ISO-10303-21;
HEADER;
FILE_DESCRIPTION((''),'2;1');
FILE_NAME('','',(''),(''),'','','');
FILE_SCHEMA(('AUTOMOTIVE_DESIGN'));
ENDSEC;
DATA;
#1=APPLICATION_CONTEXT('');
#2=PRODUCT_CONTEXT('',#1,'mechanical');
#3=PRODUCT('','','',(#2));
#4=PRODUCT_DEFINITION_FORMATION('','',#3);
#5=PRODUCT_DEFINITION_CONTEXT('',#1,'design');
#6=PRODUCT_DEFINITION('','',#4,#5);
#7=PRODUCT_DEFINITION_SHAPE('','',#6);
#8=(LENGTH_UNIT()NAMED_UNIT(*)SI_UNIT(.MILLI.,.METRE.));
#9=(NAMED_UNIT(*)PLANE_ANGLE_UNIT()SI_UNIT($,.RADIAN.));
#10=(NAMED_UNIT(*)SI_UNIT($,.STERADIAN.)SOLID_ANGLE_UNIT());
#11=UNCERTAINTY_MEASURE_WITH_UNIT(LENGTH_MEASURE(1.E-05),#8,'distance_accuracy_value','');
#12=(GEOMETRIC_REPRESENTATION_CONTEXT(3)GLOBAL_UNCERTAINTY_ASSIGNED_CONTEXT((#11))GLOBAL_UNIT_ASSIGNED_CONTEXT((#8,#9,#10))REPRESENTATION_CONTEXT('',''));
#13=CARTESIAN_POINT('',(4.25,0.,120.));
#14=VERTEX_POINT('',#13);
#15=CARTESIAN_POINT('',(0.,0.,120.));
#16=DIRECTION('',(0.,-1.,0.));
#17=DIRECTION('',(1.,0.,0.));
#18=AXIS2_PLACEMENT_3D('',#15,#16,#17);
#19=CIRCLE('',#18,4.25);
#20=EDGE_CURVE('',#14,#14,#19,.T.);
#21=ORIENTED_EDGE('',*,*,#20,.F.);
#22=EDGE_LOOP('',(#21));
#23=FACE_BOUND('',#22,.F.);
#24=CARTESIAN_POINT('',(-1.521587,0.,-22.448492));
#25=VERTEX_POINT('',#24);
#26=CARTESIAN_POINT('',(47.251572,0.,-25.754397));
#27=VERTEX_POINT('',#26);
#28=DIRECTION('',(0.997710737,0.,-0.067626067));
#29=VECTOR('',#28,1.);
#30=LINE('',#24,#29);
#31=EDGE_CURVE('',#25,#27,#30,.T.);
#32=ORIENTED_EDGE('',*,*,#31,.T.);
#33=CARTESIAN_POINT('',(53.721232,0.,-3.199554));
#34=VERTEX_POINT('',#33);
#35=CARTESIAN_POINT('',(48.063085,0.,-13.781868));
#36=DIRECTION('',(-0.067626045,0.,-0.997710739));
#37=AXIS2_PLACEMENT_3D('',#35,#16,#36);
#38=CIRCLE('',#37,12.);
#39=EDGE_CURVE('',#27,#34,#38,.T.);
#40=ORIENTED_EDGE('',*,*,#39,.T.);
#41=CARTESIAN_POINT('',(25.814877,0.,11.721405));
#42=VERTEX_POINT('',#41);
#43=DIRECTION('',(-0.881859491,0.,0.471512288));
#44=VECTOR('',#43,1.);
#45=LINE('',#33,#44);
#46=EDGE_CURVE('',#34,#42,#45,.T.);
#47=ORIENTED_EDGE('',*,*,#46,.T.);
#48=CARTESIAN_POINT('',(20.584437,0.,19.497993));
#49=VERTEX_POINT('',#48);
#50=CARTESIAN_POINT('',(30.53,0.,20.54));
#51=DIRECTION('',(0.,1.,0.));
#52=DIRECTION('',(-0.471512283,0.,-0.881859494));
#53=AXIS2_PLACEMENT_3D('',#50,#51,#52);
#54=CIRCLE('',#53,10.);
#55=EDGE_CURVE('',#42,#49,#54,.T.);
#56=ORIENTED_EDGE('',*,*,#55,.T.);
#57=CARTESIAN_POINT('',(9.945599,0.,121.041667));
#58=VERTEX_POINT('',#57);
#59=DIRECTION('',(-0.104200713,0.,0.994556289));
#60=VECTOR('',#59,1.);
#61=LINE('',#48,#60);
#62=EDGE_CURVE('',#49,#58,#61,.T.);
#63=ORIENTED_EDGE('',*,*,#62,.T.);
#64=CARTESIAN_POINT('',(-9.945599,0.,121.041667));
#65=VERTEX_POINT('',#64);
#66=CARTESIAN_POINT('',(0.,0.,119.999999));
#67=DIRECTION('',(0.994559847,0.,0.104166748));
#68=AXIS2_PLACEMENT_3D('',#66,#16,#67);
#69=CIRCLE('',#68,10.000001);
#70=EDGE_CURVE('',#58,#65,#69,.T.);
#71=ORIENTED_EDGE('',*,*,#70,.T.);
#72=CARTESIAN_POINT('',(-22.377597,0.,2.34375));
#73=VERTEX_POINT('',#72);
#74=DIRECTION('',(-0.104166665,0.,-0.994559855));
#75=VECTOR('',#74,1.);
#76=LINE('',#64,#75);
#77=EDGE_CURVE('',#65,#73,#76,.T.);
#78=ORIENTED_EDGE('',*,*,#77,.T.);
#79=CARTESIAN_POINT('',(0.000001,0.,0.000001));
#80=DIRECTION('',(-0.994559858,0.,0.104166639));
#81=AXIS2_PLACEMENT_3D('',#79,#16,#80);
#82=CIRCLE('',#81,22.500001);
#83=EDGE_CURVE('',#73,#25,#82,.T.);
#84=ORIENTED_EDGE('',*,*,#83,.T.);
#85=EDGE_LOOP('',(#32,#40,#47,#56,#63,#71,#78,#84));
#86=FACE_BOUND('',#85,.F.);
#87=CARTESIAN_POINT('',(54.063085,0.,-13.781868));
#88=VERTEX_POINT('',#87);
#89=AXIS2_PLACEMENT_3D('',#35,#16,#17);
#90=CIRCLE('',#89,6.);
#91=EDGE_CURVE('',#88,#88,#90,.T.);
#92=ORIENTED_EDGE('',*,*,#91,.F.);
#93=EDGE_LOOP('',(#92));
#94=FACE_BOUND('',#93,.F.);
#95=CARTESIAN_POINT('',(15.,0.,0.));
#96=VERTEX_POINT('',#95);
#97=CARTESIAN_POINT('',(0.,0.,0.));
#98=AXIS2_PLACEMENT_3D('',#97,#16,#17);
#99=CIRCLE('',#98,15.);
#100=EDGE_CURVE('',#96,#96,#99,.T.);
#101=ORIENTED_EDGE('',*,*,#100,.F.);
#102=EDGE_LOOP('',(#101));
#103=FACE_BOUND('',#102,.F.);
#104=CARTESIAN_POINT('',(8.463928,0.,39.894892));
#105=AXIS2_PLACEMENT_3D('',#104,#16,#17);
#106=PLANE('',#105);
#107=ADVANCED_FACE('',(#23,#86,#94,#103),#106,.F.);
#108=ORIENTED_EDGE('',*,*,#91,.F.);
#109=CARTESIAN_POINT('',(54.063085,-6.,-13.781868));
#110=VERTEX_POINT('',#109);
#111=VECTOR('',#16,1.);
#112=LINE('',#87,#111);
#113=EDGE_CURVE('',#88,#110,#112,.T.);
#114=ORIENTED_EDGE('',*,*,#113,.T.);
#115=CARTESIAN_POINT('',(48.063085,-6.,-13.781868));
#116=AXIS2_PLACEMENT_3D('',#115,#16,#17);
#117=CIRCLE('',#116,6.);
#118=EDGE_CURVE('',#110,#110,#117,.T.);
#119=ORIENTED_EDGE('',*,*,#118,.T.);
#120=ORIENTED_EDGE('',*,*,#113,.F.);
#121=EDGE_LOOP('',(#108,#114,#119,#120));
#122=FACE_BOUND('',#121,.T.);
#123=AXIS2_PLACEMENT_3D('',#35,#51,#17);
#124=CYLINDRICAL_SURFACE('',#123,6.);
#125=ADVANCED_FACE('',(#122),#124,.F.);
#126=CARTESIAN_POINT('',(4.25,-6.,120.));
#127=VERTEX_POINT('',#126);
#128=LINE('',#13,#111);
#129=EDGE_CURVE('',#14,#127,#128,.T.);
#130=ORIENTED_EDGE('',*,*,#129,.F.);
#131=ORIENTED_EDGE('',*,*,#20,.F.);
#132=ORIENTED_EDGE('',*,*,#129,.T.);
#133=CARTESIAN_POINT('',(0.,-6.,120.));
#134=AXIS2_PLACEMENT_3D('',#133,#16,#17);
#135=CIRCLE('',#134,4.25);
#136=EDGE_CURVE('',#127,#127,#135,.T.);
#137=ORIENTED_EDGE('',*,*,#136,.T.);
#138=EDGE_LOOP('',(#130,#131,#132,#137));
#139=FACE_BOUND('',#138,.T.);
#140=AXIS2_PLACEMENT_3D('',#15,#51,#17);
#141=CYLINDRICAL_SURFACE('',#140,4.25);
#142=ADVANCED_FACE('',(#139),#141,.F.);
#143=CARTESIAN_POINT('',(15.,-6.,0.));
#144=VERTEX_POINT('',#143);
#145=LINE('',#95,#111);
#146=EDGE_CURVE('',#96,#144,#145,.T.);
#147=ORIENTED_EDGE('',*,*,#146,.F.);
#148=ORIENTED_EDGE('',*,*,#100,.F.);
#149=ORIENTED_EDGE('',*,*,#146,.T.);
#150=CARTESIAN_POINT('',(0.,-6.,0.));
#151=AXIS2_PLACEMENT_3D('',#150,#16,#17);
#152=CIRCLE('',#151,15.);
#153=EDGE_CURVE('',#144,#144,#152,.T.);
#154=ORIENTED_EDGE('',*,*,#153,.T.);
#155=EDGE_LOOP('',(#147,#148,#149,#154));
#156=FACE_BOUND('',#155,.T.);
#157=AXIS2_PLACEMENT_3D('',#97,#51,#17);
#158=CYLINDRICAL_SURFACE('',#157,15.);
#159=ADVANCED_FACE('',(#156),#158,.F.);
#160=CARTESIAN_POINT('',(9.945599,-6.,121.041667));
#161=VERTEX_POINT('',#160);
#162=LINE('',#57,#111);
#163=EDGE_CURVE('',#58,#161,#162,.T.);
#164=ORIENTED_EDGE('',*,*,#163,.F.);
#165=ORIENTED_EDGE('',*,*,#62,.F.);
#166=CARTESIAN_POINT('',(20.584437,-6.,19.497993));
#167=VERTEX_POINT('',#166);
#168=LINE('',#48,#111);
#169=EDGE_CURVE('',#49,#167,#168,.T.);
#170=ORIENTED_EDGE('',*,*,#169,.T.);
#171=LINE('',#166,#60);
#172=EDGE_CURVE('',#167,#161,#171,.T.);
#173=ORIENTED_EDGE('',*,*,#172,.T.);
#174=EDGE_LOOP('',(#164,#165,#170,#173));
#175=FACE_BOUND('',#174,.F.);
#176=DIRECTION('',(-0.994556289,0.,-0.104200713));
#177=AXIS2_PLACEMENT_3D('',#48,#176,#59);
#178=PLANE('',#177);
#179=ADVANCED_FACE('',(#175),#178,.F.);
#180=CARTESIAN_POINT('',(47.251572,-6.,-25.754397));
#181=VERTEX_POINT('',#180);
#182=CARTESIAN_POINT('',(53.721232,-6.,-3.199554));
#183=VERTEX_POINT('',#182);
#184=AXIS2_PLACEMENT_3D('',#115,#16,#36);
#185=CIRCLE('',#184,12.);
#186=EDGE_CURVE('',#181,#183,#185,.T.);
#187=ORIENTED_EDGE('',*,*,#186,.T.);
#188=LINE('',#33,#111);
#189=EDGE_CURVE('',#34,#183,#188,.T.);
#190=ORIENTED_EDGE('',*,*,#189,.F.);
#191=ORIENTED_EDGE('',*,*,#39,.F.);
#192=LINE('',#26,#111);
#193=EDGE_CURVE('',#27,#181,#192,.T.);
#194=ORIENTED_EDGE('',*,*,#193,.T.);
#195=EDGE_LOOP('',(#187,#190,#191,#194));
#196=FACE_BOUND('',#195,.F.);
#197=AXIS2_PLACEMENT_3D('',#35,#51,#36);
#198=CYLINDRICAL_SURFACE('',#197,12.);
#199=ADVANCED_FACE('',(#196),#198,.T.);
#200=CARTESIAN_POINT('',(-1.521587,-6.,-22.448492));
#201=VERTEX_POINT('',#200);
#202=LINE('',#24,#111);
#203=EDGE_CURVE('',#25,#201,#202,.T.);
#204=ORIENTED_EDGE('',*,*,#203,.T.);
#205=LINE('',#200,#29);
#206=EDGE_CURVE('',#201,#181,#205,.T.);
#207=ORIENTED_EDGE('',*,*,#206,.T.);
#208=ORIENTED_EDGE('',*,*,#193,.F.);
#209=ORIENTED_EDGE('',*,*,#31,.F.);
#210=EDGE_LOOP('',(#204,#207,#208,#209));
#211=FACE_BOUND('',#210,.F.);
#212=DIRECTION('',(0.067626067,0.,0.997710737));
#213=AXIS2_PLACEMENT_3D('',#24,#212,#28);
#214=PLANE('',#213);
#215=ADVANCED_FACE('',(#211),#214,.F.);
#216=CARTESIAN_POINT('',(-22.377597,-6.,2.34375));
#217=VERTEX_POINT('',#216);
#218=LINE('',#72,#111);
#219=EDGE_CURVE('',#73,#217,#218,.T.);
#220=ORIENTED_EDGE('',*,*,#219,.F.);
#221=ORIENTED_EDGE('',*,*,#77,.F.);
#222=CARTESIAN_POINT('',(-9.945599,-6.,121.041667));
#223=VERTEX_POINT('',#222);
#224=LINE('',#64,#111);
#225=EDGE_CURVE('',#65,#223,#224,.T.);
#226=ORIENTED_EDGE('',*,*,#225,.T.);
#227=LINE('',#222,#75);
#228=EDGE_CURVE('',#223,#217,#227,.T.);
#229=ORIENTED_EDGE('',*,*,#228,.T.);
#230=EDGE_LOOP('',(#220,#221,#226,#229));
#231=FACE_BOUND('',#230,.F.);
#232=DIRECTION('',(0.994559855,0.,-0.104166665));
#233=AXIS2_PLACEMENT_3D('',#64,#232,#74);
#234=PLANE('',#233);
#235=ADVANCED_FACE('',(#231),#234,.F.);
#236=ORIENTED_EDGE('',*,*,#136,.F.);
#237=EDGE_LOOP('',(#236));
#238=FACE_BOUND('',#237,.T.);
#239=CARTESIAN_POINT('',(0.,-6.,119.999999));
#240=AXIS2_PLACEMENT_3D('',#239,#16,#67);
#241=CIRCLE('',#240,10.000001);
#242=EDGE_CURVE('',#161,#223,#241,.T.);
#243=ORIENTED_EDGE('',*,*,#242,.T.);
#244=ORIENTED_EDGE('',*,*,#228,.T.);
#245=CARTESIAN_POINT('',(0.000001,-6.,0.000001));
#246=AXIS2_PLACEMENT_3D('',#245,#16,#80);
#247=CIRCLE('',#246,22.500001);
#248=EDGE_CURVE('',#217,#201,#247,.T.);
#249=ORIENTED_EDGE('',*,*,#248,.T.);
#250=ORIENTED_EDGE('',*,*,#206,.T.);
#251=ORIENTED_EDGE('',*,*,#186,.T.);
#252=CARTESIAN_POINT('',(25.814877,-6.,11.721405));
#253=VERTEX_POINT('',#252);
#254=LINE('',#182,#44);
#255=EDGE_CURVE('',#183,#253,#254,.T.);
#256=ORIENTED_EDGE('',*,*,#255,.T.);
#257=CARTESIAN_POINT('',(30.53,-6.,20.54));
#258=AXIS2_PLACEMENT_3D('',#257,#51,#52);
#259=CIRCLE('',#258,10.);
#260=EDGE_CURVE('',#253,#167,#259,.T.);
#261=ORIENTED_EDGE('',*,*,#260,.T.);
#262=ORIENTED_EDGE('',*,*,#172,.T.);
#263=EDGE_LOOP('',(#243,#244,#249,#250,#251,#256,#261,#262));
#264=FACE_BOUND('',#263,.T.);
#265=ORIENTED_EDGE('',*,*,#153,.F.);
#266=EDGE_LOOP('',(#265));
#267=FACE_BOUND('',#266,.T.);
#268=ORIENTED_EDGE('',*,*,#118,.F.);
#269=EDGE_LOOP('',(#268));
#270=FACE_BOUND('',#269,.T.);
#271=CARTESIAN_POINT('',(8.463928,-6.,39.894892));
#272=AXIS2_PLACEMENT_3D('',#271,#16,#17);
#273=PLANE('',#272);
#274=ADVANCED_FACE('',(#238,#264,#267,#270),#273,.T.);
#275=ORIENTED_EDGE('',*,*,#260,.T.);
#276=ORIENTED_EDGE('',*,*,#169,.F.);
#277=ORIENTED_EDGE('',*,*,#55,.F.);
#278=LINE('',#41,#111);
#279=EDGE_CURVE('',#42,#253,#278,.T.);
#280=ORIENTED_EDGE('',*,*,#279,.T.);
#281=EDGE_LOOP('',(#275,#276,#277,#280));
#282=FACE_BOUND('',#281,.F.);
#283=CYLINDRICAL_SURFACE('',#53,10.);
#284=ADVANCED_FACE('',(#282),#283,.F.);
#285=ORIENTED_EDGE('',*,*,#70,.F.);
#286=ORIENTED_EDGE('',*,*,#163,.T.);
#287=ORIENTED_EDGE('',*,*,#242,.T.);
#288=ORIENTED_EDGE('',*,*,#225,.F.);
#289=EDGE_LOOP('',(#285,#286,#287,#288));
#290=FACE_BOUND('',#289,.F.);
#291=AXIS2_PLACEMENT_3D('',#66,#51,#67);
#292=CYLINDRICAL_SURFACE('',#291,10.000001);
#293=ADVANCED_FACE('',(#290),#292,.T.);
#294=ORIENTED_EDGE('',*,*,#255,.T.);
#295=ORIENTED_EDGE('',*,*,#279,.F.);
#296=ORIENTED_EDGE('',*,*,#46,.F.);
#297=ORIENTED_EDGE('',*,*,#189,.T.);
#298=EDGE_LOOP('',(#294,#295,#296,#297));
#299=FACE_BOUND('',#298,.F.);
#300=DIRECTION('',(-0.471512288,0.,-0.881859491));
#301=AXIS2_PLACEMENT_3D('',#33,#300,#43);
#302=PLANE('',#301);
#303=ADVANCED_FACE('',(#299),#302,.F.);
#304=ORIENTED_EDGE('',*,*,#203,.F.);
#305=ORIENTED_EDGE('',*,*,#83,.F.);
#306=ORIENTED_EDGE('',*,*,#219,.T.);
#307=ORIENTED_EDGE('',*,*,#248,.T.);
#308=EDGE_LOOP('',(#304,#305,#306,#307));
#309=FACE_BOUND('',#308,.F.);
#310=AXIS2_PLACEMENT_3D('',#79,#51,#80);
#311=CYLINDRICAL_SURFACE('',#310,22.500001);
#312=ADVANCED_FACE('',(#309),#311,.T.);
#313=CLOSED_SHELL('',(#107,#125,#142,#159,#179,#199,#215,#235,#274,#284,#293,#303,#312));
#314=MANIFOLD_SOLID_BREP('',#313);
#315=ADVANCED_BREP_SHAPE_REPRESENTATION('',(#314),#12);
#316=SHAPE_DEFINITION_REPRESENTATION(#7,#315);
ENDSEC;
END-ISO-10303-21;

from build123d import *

# Parameters (mm, degrees)
F0_R     = 15
F0_R_2   = 6
F0_R_3   = 4.25
F1_DEPTH = 6


with BuildPart() as f1:
    # F0 (on Front) → F1 (new body)
    with BuildSketch(Plane.XZ):
        with BuildLine():
            Line((-9.945599, 121.041667), (-22.377597, 2.34375))
            ThreePointArc((-22.377597, 2.34375), (-17.217914, -14.484248), (-1.521587, -22.448492))
            Line((-1.521587, -22.448492), (47.251572, -25.754397))
            ThreePointArc((47.251572, -25.754397), (59.597932, -17.090538), (53.721232, -3.199554))
            Line((53.721232, -3.199554), (25.814877, 11.721405))
            ThreePointArc((25.814877, 11.721405), (22.232244, 14.959028), (20.584437, 19.497993))
            Line((20.584437, 19.497993), (9.945599, 121.041667))
            ThreePointArc((9.945599, 121.041667), (0, 130), (-9.945599, 121.041667))
        make_face()
        Circle(F0_R, mode=Mode.SUBTRACT)
        with Locations((48.063085, -13.781868)):
            Circle(F0_R_2, mode=Mode.SUBTRACT)
        with Locations((0, 120)):
            Circle(F0_R_3, mode=Mode.SUBTRACT)
    extrude(amount=F1_DEPTH)


solid = f1.part
